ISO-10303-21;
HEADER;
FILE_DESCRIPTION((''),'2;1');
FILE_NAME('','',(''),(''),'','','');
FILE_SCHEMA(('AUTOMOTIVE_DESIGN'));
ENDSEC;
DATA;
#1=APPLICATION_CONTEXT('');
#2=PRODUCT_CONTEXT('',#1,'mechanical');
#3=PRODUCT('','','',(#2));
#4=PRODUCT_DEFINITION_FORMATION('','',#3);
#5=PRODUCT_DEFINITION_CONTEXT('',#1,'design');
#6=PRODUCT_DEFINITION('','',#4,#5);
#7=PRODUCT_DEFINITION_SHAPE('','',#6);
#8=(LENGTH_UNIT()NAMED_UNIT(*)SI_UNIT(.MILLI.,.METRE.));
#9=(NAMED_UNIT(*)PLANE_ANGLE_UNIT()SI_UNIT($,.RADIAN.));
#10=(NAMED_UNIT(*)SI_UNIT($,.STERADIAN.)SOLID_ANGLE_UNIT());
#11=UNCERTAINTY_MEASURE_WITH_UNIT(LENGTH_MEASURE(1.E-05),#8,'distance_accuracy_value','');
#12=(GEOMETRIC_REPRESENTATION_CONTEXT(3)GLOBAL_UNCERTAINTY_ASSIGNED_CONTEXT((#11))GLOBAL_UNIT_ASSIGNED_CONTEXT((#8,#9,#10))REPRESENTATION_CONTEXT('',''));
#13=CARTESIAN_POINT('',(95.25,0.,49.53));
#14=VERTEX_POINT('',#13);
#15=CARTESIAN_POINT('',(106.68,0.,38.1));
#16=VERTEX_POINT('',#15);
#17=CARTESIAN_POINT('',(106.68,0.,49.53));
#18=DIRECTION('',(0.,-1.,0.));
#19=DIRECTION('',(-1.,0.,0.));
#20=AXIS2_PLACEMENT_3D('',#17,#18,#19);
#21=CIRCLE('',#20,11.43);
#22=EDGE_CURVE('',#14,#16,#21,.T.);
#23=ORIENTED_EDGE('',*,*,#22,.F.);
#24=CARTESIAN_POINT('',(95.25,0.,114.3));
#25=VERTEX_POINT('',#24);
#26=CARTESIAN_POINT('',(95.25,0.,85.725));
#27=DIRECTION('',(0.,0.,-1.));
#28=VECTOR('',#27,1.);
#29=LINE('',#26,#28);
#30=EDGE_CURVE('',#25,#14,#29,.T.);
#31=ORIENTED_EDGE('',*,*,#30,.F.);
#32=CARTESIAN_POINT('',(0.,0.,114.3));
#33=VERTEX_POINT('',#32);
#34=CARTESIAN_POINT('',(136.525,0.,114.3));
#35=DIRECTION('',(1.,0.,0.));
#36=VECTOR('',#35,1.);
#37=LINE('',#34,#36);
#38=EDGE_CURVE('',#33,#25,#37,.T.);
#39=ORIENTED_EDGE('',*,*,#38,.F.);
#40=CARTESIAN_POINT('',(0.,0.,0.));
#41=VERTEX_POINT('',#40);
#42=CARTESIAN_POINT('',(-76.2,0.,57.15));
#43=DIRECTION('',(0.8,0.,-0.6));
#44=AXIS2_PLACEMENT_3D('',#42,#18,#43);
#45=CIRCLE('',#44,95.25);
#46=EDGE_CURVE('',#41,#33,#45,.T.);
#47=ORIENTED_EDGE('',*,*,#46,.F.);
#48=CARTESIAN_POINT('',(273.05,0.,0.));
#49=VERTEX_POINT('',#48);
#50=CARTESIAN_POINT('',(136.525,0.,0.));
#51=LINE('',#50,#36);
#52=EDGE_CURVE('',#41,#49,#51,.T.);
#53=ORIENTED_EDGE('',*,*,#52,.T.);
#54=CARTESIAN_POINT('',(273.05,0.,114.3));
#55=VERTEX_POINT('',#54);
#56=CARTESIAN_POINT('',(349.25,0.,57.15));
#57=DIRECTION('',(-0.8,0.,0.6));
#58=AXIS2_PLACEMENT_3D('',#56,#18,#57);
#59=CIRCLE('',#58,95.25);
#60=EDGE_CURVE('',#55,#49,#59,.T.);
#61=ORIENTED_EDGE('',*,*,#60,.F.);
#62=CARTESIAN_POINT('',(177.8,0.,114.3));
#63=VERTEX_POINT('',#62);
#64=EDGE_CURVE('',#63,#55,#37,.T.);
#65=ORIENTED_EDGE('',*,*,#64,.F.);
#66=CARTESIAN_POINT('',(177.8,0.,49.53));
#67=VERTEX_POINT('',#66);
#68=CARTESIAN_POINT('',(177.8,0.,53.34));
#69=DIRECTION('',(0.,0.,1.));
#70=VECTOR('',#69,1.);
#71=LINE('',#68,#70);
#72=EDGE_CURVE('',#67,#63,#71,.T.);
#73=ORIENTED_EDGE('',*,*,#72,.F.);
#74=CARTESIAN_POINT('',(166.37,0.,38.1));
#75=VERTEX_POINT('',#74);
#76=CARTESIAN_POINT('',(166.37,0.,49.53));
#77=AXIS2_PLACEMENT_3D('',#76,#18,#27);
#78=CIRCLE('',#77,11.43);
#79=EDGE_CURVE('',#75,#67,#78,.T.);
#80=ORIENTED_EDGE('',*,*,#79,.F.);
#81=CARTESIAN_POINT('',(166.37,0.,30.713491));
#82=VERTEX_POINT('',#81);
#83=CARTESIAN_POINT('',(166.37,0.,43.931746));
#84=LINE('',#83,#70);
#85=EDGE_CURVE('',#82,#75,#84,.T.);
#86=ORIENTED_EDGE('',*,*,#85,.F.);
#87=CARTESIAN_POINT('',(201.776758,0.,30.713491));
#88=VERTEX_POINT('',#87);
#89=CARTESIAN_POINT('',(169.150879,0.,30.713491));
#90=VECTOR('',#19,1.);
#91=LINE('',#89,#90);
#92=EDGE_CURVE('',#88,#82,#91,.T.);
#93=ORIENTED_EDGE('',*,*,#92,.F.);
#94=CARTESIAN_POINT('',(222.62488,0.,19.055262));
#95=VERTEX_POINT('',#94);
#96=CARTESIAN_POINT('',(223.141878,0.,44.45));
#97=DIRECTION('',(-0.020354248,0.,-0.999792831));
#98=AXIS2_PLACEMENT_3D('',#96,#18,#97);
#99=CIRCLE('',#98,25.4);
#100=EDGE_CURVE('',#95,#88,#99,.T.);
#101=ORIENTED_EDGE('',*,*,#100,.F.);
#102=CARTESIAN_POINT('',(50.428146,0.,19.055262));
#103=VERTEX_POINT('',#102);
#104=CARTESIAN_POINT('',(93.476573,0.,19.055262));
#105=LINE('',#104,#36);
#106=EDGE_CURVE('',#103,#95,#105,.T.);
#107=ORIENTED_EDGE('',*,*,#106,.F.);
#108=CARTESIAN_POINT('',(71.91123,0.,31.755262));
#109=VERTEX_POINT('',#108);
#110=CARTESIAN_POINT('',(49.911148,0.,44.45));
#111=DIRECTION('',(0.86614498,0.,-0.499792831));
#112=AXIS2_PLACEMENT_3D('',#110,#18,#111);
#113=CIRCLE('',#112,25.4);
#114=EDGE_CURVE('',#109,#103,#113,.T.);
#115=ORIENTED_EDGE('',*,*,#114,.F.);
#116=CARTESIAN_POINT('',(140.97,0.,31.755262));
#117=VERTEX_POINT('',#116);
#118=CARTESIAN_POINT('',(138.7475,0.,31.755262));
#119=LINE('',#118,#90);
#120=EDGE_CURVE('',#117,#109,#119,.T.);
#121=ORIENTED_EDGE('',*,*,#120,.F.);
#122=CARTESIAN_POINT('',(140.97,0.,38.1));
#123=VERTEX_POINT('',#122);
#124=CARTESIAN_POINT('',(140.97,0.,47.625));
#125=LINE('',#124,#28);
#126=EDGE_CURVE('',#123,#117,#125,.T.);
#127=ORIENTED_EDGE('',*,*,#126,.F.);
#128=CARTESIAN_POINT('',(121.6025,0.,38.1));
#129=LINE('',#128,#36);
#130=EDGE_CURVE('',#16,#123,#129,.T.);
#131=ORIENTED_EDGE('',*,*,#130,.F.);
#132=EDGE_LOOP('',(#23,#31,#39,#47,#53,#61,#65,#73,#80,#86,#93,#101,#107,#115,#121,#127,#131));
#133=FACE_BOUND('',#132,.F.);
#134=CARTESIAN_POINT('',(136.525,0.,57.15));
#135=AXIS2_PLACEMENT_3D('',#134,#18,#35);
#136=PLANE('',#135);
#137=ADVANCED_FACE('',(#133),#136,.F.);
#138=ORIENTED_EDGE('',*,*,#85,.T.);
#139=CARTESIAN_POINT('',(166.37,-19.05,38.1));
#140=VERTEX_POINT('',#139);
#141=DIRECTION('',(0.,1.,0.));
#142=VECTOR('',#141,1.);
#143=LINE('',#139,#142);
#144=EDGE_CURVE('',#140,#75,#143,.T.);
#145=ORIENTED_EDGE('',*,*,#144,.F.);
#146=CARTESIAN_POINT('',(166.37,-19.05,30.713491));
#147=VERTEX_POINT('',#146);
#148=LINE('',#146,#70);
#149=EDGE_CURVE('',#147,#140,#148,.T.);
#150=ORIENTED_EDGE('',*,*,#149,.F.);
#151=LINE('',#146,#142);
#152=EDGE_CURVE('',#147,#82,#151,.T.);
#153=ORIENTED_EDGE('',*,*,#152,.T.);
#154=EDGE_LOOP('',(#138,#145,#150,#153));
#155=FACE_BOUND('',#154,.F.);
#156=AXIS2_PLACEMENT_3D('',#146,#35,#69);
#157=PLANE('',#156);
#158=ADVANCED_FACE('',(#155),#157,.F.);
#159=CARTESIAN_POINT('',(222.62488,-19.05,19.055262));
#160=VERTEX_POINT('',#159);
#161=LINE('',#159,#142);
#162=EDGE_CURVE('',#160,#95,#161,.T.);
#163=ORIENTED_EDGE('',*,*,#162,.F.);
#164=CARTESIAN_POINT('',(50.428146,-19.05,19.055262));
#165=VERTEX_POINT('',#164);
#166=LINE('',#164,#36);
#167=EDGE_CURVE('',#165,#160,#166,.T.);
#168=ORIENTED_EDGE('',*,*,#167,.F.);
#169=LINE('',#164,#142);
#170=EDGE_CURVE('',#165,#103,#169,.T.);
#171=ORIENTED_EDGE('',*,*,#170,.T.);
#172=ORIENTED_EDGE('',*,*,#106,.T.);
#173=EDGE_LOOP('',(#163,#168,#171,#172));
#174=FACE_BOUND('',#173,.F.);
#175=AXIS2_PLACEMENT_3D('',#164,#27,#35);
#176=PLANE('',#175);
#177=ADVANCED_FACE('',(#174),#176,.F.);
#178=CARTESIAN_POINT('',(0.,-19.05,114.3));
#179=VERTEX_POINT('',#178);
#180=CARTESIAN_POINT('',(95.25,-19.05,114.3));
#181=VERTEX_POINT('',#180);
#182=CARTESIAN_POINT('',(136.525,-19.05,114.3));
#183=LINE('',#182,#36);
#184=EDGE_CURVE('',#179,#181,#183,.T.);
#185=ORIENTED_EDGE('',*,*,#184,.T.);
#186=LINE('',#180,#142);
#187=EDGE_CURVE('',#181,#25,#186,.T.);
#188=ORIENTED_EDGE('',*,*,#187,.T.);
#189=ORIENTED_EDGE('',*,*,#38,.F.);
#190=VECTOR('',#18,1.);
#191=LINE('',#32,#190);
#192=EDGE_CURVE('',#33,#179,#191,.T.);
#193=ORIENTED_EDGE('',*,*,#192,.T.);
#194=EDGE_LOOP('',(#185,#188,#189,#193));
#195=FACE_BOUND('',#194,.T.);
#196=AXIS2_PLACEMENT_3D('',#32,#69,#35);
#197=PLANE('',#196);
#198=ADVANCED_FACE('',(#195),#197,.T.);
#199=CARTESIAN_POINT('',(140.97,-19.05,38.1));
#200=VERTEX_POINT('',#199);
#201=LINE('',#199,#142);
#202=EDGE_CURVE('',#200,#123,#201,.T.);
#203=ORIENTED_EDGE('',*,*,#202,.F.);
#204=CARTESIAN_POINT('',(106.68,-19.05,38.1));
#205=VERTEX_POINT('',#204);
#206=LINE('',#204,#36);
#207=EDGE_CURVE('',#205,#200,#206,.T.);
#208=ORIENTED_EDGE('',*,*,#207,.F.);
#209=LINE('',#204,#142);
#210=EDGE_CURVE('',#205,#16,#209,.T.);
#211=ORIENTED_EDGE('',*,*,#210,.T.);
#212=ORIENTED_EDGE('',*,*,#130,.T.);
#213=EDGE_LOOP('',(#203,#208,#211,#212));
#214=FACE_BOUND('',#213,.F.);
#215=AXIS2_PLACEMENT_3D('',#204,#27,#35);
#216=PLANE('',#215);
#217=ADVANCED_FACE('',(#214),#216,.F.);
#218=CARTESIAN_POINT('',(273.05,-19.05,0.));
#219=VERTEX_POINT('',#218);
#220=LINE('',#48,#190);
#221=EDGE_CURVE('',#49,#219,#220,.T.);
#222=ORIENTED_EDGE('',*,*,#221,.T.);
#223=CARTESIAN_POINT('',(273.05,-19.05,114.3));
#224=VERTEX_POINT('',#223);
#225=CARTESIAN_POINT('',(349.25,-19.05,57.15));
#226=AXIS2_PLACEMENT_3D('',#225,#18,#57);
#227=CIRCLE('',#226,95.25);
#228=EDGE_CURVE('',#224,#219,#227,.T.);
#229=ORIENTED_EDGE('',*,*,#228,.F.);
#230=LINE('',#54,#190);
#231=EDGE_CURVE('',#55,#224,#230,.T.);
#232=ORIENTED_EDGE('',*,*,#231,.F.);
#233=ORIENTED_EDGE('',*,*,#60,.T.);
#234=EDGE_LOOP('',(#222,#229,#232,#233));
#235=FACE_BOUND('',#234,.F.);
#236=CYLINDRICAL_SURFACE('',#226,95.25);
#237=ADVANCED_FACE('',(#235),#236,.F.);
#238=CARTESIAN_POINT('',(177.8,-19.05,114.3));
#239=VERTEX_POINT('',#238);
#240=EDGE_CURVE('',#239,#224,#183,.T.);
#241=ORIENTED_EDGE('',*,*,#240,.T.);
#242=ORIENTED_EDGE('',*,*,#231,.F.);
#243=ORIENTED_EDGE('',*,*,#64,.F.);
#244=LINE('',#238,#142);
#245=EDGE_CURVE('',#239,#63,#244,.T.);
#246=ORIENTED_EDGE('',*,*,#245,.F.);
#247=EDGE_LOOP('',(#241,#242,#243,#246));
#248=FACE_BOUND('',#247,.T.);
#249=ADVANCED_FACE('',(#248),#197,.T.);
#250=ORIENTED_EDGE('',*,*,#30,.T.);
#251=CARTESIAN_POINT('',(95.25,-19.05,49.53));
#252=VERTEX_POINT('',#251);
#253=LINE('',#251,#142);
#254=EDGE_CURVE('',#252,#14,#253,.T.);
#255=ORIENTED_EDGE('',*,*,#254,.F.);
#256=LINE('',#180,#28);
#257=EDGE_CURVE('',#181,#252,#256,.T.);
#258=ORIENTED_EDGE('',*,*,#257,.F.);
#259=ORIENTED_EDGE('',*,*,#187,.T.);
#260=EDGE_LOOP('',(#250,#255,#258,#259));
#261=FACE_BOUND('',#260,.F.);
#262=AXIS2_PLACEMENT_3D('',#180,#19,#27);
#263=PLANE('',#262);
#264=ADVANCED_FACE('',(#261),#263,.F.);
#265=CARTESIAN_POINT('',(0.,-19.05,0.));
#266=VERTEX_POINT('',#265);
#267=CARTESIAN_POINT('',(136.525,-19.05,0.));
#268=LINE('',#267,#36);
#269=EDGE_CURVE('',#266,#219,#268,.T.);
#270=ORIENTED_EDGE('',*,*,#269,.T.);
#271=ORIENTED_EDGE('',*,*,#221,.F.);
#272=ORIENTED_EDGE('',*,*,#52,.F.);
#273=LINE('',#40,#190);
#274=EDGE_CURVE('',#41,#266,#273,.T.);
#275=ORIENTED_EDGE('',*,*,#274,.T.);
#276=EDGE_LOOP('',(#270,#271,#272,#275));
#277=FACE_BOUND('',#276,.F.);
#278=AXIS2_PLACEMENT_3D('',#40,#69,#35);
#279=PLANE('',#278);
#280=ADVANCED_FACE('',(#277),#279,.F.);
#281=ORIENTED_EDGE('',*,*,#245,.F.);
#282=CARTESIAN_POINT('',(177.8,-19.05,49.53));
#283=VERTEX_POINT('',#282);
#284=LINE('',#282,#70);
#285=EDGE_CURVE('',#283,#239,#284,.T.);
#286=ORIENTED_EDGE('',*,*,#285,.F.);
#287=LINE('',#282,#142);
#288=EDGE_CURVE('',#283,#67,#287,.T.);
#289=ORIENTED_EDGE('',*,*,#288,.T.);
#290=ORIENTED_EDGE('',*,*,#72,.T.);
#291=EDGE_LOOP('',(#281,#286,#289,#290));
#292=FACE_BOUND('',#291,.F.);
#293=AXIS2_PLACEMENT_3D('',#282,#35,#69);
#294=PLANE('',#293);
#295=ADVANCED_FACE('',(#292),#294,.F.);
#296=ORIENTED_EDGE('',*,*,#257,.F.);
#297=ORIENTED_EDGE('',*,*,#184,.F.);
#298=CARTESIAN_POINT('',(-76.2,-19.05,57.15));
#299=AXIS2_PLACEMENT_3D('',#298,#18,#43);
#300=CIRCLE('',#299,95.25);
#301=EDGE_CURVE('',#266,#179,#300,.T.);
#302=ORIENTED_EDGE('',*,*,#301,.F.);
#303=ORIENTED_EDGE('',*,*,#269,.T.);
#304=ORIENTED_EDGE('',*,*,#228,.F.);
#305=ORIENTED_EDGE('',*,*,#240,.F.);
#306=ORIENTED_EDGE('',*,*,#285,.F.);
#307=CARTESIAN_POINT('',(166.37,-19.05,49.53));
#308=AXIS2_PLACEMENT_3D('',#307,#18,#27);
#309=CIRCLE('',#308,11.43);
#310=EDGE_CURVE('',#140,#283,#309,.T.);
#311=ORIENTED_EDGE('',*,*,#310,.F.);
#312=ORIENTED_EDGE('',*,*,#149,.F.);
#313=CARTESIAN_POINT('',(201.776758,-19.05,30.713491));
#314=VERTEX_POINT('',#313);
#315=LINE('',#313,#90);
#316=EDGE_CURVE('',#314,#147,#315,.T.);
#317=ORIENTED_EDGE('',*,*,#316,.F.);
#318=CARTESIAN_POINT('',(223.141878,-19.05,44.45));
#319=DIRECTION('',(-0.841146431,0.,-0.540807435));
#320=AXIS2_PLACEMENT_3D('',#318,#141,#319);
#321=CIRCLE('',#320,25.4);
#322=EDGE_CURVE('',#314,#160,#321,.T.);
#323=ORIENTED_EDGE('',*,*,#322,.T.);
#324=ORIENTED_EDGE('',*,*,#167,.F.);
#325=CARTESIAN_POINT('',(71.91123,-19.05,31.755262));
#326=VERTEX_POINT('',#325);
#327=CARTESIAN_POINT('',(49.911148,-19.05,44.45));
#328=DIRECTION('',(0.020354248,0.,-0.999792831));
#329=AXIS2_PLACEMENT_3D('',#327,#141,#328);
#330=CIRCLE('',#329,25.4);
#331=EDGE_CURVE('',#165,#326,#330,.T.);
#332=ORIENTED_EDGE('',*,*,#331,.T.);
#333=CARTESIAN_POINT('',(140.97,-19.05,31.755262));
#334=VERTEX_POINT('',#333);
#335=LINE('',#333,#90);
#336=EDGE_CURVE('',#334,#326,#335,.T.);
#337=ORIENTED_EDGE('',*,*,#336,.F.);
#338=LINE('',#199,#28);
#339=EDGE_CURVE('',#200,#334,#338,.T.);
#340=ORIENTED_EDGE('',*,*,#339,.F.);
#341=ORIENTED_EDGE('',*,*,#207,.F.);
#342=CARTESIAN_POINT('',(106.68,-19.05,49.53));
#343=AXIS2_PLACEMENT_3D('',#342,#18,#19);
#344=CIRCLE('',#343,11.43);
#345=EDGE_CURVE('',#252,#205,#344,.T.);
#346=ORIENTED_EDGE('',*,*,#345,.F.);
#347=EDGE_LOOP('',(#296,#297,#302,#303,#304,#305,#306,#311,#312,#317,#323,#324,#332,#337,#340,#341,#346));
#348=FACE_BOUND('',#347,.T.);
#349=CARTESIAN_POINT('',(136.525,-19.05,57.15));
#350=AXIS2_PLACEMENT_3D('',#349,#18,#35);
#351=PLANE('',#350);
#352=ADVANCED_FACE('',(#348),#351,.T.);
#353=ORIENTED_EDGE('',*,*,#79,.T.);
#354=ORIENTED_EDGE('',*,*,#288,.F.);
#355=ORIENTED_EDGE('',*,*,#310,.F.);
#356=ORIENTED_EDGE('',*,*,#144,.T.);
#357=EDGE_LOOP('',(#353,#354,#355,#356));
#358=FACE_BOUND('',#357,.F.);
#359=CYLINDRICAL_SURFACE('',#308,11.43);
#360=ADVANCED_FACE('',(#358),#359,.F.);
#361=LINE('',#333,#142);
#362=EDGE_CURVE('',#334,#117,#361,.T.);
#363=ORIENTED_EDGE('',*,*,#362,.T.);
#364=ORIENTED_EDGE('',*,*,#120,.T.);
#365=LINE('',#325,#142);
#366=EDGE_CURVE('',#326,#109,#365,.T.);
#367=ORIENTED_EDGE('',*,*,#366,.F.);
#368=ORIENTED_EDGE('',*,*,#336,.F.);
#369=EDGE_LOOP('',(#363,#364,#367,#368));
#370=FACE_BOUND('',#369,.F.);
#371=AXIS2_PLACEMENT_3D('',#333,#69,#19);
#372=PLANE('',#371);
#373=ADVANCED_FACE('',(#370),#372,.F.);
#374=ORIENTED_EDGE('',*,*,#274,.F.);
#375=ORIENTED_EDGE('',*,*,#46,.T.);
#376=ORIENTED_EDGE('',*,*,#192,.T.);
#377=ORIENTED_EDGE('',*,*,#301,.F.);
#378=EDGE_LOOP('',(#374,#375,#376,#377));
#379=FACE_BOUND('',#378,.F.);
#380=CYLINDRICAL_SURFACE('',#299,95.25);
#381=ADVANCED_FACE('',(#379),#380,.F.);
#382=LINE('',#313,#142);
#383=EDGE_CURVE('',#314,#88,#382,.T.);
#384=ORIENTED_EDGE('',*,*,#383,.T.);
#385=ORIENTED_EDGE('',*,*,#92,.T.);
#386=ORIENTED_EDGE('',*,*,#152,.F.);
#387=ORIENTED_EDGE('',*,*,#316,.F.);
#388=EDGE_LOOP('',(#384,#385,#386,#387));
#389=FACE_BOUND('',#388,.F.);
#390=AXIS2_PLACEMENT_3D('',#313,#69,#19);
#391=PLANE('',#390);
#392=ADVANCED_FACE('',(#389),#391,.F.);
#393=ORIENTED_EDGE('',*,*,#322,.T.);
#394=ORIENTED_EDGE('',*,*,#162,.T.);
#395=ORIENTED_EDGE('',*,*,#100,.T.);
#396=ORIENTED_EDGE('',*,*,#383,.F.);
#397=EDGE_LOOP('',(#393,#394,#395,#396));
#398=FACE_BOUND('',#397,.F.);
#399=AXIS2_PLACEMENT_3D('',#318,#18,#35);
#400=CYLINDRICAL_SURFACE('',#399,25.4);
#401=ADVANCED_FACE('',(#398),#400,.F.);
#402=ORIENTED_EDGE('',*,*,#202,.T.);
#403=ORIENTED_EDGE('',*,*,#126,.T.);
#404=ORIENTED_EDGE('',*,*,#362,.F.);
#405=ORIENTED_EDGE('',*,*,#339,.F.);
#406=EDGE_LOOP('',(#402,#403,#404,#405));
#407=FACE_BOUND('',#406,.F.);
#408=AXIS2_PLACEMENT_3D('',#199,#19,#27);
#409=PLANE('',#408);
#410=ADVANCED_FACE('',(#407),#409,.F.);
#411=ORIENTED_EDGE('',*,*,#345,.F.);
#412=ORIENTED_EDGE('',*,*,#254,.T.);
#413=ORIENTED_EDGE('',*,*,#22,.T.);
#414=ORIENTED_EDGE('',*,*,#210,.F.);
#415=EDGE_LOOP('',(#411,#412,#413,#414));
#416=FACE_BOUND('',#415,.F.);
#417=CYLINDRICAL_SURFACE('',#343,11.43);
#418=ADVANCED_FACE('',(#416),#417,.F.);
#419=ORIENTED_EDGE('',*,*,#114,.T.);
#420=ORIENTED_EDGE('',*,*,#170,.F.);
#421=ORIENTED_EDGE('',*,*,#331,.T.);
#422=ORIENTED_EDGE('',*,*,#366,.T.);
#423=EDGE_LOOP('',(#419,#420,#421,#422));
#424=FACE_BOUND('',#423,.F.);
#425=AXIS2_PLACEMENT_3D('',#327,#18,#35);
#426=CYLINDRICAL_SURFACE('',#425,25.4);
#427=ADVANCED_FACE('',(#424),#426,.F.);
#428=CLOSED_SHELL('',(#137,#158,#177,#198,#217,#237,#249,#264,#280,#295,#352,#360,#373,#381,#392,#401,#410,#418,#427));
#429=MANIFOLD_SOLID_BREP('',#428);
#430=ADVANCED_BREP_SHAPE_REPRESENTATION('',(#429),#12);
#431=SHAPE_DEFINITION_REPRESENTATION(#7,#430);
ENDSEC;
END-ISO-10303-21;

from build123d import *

# Parameters (mm, degrees)
F0_W     = 273.05
F0_H     = 114.3
F1_DEPTH = 19.05
F3_DEPTH = 25.4
F4_R     = 25.4
F5_DEPTH = 25.4
F7_DEPTH = 25.4


with BuildPart() as f1:
    # F0 (on Front) → F1 (new body)
    with BuildSketch(Plane.XZ):
        with Locations((136.525, 57.15)):
            Rectangle(F0_W, F0_H)
    extrude(amount=F1_DEPTH)

    # F2 (on face) → F3 (cut)
    with BuildSketch(Plane.XZ.offset(19.05)):
        with BuildLine():
            Line((0, 114.3), (0, 0))
            ThreePointArc((0, 0), (19.05, 57.15), (0, 114.3))
        make_face()
        with BuildLine():
            ThreePointArc((273.05, 114.3), (254, 57.15), (273.05, 0))
            Line((273.05, 0), (273.05, 114.3))
        make_face()
    extrude(amount=-F3_DEPTH, mode=Mode.SUBTRACT)

    # F4 (on face) → F5 (cut)
    with BuildSketch(Plane.XZ.offset(19.05)):
        with BuildLine():
            Line((177.8, 114.3), (95.25, 114.3))
            Line((95.25, 114.3), (95.25, 49.53))
            ThreePointArc((95.25, 49.53), (106.68, 60.96), (118.11, 49.53))
            ThreePointArc((118.11, 49.53), (114.762230509, 41.447769491), (106.68, 38.1))
            Line((106.68, 38.1), (166.37, 38.1))
            ThreePointArc((166.37, 38.1), (158.287769491, 57.612230509), (177.8, 49.53))
            Line((177.8, 49.53), (177.8, 114.3))
        make_face()
        with Locations((49.9111476386, 44.45)):
            Circle(F4_R)
        with Locations((223.1418776763, 44.45)):
            Circle(F4_R)
        with BuildLine():
            ThreePointArc((166.37, 38.1), (174.452230509, 41.447769491), (177.8, 49.53))
            ThreePointArc((177.8, 49.53), (158.287769491, 57.612230509), (166.37, 38.1))
        make_face()
        with BuildLine():
            ThreePointArc((118.11, 49.53), (106.68, 60.96), (95.25, 49.53))
            ThreePointArc((95.25, 49.53), (98.597769491, 41.447769491), (106.68, 38.1))
            ThreePointArc((106.68, 38.1), (114.762230509, 41.447769491), (118.11, 49.53))
        make_face()
    extrude(amount=-F5_DEPTH, mode=Mode.SUBTRACT)

    # F6 (on face) → F7 (cut)
    with BuildSketch(Plane.XZ.offset(19.05)):
        with BuildLine():
            Line((166.37, 30.7134911418), (166.37, 38.1))
            Line((166.37, 38.1), (140.97, 38.1))
            Line((140.97, 38.1), (140.97, 31.755262097))
            Line((140.97, 31.755262097), (71.9112301288, 31.755262097))
            ThreePointArc((71.9112301288, 31.755262097), (62.8369832957, 22.5848960084), (50.4281455484, 19.055262097))
            Line((50.4281455484, 19.055262097), (222.6248797665, 19.055262097))
            ThreePointArc((222.6248797665, 19.055262097), (210.7448885281, 22.2807722269), (201.7767583369, 30.7134911418))
            Line((201.7767583369, 30.7134911418), (166.37, 30.7134911418))
        make_face()
    extrude(amount=-F7_DEPTH, mode=Mode.SUBTRACT)


solid = f1.part
